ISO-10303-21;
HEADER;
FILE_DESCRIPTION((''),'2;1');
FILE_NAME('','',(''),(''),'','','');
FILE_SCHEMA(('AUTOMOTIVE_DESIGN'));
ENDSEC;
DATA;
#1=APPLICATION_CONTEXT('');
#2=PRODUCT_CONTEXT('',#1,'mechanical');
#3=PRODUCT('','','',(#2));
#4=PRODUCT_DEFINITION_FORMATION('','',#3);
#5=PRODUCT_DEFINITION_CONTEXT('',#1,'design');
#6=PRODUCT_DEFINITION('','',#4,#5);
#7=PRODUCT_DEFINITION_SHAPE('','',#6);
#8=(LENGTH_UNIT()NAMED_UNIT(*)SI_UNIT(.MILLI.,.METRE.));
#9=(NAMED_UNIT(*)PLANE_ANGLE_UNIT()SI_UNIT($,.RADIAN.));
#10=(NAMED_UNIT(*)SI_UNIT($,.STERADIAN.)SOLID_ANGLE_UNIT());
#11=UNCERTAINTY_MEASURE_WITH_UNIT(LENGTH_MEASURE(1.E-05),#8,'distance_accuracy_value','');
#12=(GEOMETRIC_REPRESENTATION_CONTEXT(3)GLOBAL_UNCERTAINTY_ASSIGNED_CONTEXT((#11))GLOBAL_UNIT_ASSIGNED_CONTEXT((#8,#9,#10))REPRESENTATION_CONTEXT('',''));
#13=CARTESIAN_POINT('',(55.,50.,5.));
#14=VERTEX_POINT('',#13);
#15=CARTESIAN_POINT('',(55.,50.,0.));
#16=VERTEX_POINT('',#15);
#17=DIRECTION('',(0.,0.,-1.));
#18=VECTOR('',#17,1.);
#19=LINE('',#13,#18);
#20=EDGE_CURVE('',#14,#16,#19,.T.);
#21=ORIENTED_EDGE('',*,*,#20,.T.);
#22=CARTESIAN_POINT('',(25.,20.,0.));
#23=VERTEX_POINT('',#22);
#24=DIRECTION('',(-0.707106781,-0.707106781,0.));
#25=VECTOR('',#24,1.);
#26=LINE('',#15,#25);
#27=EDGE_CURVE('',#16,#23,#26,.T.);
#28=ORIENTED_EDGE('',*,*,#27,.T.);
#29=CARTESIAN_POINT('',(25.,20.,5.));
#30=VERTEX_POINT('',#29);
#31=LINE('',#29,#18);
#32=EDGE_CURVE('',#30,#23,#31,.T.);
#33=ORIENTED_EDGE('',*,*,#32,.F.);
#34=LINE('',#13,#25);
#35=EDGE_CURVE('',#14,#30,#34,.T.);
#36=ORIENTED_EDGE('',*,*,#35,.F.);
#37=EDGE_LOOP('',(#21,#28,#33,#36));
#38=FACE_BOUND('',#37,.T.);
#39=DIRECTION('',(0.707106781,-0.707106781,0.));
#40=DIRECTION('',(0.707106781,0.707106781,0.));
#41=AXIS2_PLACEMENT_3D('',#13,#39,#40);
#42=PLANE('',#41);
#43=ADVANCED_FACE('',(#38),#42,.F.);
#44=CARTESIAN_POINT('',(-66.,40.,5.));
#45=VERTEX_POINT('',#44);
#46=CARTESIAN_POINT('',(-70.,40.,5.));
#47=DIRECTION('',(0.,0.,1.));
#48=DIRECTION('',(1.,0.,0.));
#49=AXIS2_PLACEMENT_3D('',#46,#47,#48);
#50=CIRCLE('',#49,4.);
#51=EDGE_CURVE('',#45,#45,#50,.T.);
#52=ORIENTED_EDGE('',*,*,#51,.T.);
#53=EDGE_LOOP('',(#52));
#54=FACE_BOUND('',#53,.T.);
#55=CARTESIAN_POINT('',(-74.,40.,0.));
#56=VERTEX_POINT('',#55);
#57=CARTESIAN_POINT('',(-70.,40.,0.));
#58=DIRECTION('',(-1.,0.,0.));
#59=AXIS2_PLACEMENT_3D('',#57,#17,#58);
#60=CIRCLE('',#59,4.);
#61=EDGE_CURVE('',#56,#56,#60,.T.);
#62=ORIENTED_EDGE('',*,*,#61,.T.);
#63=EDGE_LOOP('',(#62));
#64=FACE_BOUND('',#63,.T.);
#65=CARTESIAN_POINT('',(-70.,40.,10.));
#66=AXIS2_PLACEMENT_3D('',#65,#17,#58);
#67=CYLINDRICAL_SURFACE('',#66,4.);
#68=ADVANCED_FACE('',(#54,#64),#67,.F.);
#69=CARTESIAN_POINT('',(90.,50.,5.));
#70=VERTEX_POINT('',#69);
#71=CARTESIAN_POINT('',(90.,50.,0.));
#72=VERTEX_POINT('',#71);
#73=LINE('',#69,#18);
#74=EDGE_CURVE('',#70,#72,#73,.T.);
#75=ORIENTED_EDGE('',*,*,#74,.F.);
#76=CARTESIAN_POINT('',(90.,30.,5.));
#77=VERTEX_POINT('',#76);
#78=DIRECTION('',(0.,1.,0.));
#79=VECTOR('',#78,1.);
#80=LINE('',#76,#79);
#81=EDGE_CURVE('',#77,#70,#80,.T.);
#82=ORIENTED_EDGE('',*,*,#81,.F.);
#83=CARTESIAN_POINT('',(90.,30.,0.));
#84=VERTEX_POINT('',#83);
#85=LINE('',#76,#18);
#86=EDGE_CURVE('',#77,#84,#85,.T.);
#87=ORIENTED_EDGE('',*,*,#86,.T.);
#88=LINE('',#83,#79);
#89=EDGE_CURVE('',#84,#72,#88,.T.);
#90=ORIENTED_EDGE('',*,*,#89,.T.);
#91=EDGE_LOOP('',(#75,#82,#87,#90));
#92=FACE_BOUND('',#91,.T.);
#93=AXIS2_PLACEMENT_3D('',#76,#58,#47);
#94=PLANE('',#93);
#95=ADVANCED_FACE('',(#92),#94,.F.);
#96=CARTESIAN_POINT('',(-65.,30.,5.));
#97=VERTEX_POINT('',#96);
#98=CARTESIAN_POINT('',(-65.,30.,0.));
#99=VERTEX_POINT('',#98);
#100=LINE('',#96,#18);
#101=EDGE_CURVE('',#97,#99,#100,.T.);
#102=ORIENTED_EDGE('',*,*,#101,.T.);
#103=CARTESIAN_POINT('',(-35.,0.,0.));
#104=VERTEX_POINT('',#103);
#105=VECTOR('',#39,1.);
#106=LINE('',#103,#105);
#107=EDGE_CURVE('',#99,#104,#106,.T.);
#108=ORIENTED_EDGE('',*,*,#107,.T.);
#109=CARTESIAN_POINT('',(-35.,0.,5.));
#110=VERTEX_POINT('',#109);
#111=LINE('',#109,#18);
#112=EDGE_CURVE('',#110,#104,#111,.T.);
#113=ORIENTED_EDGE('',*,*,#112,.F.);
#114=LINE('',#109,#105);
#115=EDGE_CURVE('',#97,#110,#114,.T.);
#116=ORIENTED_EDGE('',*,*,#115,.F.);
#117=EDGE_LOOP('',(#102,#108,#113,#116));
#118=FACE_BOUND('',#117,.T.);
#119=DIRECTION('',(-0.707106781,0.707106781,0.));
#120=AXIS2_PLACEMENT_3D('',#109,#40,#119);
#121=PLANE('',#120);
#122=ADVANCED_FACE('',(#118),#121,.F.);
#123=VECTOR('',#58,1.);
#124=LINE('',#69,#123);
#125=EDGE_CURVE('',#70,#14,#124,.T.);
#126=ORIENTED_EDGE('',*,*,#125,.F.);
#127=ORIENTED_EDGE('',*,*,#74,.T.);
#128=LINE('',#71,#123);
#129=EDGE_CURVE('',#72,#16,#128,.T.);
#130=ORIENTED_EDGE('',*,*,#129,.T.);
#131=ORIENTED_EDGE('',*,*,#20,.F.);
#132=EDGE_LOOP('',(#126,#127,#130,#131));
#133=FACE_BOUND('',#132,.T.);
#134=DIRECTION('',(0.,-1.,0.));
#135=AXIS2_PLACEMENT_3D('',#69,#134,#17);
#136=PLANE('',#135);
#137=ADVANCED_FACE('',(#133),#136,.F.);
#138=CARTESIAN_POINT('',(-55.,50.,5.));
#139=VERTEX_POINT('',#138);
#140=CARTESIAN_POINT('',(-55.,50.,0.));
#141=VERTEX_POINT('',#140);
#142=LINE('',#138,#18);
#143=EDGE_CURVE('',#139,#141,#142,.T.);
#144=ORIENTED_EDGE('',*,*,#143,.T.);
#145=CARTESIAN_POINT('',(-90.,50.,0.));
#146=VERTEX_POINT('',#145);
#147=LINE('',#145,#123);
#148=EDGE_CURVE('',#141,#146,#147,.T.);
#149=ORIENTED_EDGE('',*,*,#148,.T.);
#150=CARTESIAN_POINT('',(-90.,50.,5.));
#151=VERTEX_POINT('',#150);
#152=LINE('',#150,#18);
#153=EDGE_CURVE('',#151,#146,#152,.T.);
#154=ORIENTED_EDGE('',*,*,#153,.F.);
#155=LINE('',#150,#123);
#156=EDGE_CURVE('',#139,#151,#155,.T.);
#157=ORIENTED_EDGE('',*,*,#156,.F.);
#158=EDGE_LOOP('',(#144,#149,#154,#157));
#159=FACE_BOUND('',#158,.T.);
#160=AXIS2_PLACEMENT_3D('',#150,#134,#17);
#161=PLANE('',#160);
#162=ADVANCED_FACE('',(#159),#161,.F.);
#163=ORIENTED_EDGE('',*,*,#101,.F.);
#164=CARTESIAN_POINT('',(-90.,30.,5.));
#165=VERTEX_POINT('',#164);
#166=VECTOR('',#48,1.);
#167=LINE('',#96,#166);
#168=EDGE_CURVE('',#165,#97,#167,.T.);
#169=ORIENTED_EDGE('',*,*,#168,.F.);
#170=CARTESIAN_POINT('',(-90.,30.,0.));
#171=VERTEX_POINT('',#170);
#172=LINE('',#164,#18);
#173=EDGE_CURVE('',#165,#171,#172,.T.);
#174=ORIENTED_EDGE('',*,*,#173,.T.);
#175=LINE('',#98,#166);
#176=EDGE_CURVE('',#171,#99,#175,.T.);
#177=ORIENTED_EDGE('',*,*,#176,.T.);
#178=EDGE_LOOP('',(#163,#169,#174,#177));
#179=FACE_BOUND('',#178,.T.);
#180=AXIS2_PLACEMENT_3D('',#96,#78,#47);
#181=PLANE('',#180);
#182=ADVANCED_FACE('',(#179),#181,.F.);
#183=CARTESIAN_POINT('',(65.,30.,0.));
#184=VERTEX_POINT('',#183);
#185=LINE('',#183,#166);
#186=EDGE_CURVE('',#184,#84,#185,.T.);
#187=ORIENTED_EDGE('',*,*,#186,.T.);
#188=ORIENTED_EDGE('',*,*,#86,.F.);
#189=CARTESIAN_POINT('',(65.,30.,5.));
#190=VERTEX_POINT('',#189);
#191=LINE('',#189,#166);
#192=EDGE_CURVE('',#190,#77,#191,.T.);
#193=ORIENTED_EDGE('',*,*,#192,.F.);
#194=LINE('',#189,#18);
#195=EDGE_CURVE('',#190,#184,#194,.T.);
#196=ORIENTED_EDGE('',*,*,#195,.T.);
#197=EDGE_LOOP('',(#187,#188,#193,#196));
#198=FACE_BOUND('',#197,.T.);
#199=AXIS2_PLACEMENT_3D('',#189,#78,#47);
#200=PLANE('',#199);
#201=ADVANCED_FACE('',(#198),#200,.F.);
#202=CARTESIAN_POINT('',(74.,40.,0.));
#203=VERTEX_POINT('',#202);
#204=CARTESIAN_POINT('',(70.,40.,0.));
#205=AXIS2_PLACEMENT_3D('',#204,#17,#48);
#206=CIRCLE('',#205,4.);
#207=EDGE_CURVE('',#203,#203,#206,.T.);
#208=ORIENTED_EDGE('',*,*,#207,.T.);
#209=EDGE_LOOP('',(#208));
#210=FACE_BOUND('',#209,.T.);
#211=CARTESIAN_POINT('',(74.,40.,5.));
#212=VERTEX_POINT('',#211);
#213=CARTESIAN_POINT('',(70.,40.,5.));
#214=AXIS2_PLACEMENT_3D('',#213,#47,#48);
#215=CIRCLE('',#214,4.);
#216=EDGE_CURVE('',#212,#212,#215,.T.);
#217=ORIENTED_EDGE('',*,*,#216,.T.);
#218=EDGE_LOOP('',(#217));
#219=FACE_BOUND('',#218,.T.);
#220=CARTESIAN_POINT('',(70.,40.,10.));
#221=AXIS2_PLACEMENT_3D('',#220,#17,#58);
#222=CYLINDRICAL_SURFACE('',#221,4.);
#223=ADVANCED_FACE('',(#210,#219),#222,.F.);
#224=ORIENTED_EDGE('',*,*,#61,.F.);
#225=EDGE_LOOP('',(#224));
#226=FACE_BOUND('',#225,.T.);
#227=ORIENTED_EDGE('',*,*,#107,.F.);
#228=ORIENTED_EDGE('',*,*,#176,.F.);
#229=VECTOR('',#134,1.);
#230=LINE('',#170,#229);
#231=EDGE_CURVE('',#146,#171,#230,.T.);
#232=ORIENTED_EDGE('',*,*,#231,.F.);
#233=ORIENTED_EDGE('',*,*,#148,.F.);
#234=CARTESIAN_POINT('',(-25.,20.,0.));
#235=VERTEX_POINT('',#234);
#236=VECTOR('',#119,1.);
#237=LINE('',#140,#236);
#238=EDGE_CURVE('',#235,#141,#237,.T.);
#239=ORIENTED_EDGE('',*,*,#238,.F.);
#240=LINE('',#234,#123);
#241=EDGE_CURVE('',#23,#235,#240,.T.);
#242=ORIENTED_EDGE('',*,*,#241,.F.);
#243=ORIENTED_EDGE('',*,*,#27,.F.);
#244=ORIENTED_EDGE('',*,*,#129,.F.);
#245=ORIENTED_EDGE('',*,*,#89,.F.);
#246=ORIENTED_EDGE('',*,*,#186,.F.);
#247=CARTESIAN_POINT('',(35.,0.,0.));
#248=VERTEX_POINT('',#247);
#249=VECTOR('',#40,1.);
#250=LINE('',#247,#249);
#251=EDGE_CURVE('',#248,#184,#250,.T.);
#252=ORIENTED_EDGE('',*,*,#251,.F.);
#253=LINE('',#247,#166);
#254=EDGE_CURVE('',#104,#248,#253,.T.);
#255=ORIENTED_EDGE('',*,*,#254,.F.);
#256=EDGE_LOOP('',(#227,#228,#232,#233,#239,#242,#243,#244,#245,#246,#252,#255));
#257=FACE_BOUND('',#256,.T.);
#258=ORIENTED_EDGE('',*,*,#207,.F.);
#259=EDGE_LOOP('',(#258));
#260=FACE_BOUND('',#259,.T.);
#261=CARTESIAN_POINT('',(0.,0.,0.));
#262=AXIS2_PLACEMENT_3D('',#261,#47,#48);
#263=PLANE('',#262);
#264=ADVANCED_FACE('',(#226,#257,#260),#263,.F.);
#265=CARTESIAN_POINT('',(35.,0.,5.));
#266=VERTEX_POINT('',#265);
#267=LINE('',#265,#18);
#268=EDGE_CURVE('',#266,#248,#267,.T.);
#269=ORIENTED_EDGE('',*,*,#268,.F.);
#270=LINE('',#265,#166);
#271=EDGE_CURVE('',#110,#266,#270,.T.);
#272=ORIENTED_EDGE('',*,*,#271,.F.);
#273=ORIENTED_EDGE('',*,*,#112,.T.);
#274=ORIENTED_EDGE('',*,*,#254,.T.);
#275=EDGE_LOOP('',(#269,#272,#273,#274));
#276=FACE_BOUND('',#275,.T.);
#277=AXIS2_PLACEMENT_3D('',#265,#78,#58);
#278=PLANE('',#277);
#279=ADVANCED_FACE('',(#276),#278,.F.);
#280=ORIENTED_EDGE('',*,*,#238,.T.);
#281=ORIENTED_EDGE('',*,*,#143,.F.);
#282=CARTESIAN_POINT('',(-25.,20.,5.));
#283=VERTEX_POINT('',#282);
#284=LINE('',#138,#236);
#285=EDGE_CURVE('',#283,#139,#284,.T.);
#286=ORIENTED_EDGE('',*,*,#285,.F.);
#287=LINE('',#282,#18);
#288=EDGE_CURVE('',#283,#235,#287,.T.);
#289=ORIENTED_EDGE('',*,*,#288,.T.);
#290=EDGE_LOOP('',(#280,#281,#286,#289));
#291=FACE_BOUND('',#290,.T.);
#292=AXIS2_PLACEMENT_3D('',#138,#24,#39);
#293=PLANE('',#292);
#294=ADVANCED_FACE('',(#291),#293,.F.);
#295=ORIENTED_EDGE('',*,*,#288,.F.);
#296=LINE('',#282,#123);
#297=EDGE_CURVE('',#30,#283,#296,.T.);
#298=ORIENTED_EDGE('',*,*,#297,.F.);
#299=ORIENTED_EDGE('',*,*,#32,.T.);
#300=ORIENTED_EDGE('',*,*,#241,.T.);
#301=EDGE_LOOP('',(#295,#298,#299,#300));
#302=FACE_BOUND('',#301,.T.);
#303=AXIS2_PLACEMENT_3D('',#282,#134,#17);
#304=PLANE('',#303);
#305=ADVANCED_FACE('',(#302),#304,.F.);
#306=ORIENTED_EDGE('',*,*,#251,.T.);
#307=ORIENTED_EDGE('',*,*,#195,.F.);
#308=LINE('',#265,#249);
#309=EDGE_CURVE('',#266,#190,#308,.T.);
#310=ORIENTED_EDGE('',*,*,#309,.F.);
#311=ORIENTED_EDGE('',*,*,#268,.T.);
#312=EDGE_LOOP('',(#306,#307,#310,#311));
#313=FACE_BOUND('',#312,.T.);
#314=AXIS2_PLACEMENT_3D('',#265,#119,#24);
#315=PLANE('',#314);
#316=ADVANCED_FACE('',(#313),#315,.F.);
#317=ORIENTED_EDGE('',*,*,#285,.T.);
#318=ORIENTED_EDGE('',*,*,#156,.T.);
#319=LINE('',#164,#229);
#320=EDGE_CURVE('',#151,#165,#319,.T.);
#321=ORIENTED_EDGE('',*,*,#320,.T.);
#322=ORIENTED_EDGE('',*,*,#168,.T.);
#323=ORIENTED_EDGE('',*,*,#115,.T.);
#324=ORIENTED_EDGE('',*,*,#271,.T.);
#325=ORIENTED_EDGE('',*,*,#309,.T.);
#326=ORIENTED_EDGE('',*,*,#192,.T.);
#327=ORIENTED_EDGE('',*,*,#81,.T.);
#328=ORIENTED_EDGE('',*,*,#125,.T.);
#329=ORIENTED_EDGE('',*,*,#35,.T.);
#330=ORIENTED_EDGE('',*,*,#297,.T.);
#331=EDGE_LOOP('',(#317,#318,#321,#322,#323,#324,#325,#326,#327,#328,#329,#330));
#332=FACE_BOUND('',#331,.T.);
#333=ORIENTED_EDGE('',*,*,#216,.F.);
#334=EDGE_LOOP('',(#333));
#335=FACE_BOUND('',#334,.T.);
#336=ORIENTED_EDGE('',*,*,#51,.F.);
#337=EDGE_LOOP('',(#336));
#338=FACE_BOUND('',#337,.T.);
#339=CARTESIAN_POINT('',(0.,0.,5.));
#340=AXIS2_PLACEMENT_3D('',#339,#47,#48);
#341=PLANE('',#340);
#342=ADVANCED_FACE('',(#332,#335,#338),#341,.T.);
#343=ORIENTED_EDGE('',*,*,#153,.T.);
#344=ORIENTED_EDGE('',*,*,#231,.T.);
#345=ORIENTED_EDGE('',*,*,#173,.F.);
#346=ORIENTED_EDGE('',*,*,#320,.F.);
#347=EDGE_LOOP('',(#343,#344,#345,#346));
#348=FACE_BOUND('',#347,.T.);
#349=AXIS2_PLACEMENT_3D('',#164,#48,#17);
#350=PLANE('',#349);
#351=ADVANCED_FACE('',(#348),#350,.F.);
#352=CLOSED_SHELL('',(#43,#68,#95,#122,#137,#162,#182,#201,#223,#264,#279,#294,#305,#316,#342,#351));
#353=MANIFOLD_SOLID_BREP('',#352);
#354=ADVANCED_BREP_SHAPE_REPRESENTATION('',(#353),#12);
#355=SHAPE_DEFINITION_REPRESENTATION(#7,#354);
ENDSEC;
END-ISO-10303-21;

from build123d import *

# Parameters (mm, degrees)
EXTRUDE_1_DEPTH     = 5
SKETCH_2_R          = 4
CUT_EXTRUDE_1_DEPTH = 10


with BuildPart() as part:
    # 草图1 → 凸台-拉伸1 (new body)
    with BuildSketch(Plane.XY):
        Polygon((35, 0), (-35, 0), (-65, 30), (-90, 30), (-90, 50), (-55, 50), (-25, 20), (25, 20), (55, 50), (90, 50), (90, 30), (65, 30), align=None)
    extrude(amount=EXTRUDE_1_DEPTH)

    # 草图2 → 切除-拉伸1 (cut)
    with BuildSketch(Plane(origin=(0, 0, 0), x_dir=(-1, 0, 0), z_dir=(0, 0, -1))):
        with Locations((70, 40)):
            Circle(SKETCH_2_R)
        with Locations(Location((-70, 40, 0), (0, 0, 180))):
            Circle(SKETCH_2_R)
    extrude(amount=-CUT_EXTRUDE_1_DEPTH, mode=Mode.SUBTRACT)


solid = part.part
